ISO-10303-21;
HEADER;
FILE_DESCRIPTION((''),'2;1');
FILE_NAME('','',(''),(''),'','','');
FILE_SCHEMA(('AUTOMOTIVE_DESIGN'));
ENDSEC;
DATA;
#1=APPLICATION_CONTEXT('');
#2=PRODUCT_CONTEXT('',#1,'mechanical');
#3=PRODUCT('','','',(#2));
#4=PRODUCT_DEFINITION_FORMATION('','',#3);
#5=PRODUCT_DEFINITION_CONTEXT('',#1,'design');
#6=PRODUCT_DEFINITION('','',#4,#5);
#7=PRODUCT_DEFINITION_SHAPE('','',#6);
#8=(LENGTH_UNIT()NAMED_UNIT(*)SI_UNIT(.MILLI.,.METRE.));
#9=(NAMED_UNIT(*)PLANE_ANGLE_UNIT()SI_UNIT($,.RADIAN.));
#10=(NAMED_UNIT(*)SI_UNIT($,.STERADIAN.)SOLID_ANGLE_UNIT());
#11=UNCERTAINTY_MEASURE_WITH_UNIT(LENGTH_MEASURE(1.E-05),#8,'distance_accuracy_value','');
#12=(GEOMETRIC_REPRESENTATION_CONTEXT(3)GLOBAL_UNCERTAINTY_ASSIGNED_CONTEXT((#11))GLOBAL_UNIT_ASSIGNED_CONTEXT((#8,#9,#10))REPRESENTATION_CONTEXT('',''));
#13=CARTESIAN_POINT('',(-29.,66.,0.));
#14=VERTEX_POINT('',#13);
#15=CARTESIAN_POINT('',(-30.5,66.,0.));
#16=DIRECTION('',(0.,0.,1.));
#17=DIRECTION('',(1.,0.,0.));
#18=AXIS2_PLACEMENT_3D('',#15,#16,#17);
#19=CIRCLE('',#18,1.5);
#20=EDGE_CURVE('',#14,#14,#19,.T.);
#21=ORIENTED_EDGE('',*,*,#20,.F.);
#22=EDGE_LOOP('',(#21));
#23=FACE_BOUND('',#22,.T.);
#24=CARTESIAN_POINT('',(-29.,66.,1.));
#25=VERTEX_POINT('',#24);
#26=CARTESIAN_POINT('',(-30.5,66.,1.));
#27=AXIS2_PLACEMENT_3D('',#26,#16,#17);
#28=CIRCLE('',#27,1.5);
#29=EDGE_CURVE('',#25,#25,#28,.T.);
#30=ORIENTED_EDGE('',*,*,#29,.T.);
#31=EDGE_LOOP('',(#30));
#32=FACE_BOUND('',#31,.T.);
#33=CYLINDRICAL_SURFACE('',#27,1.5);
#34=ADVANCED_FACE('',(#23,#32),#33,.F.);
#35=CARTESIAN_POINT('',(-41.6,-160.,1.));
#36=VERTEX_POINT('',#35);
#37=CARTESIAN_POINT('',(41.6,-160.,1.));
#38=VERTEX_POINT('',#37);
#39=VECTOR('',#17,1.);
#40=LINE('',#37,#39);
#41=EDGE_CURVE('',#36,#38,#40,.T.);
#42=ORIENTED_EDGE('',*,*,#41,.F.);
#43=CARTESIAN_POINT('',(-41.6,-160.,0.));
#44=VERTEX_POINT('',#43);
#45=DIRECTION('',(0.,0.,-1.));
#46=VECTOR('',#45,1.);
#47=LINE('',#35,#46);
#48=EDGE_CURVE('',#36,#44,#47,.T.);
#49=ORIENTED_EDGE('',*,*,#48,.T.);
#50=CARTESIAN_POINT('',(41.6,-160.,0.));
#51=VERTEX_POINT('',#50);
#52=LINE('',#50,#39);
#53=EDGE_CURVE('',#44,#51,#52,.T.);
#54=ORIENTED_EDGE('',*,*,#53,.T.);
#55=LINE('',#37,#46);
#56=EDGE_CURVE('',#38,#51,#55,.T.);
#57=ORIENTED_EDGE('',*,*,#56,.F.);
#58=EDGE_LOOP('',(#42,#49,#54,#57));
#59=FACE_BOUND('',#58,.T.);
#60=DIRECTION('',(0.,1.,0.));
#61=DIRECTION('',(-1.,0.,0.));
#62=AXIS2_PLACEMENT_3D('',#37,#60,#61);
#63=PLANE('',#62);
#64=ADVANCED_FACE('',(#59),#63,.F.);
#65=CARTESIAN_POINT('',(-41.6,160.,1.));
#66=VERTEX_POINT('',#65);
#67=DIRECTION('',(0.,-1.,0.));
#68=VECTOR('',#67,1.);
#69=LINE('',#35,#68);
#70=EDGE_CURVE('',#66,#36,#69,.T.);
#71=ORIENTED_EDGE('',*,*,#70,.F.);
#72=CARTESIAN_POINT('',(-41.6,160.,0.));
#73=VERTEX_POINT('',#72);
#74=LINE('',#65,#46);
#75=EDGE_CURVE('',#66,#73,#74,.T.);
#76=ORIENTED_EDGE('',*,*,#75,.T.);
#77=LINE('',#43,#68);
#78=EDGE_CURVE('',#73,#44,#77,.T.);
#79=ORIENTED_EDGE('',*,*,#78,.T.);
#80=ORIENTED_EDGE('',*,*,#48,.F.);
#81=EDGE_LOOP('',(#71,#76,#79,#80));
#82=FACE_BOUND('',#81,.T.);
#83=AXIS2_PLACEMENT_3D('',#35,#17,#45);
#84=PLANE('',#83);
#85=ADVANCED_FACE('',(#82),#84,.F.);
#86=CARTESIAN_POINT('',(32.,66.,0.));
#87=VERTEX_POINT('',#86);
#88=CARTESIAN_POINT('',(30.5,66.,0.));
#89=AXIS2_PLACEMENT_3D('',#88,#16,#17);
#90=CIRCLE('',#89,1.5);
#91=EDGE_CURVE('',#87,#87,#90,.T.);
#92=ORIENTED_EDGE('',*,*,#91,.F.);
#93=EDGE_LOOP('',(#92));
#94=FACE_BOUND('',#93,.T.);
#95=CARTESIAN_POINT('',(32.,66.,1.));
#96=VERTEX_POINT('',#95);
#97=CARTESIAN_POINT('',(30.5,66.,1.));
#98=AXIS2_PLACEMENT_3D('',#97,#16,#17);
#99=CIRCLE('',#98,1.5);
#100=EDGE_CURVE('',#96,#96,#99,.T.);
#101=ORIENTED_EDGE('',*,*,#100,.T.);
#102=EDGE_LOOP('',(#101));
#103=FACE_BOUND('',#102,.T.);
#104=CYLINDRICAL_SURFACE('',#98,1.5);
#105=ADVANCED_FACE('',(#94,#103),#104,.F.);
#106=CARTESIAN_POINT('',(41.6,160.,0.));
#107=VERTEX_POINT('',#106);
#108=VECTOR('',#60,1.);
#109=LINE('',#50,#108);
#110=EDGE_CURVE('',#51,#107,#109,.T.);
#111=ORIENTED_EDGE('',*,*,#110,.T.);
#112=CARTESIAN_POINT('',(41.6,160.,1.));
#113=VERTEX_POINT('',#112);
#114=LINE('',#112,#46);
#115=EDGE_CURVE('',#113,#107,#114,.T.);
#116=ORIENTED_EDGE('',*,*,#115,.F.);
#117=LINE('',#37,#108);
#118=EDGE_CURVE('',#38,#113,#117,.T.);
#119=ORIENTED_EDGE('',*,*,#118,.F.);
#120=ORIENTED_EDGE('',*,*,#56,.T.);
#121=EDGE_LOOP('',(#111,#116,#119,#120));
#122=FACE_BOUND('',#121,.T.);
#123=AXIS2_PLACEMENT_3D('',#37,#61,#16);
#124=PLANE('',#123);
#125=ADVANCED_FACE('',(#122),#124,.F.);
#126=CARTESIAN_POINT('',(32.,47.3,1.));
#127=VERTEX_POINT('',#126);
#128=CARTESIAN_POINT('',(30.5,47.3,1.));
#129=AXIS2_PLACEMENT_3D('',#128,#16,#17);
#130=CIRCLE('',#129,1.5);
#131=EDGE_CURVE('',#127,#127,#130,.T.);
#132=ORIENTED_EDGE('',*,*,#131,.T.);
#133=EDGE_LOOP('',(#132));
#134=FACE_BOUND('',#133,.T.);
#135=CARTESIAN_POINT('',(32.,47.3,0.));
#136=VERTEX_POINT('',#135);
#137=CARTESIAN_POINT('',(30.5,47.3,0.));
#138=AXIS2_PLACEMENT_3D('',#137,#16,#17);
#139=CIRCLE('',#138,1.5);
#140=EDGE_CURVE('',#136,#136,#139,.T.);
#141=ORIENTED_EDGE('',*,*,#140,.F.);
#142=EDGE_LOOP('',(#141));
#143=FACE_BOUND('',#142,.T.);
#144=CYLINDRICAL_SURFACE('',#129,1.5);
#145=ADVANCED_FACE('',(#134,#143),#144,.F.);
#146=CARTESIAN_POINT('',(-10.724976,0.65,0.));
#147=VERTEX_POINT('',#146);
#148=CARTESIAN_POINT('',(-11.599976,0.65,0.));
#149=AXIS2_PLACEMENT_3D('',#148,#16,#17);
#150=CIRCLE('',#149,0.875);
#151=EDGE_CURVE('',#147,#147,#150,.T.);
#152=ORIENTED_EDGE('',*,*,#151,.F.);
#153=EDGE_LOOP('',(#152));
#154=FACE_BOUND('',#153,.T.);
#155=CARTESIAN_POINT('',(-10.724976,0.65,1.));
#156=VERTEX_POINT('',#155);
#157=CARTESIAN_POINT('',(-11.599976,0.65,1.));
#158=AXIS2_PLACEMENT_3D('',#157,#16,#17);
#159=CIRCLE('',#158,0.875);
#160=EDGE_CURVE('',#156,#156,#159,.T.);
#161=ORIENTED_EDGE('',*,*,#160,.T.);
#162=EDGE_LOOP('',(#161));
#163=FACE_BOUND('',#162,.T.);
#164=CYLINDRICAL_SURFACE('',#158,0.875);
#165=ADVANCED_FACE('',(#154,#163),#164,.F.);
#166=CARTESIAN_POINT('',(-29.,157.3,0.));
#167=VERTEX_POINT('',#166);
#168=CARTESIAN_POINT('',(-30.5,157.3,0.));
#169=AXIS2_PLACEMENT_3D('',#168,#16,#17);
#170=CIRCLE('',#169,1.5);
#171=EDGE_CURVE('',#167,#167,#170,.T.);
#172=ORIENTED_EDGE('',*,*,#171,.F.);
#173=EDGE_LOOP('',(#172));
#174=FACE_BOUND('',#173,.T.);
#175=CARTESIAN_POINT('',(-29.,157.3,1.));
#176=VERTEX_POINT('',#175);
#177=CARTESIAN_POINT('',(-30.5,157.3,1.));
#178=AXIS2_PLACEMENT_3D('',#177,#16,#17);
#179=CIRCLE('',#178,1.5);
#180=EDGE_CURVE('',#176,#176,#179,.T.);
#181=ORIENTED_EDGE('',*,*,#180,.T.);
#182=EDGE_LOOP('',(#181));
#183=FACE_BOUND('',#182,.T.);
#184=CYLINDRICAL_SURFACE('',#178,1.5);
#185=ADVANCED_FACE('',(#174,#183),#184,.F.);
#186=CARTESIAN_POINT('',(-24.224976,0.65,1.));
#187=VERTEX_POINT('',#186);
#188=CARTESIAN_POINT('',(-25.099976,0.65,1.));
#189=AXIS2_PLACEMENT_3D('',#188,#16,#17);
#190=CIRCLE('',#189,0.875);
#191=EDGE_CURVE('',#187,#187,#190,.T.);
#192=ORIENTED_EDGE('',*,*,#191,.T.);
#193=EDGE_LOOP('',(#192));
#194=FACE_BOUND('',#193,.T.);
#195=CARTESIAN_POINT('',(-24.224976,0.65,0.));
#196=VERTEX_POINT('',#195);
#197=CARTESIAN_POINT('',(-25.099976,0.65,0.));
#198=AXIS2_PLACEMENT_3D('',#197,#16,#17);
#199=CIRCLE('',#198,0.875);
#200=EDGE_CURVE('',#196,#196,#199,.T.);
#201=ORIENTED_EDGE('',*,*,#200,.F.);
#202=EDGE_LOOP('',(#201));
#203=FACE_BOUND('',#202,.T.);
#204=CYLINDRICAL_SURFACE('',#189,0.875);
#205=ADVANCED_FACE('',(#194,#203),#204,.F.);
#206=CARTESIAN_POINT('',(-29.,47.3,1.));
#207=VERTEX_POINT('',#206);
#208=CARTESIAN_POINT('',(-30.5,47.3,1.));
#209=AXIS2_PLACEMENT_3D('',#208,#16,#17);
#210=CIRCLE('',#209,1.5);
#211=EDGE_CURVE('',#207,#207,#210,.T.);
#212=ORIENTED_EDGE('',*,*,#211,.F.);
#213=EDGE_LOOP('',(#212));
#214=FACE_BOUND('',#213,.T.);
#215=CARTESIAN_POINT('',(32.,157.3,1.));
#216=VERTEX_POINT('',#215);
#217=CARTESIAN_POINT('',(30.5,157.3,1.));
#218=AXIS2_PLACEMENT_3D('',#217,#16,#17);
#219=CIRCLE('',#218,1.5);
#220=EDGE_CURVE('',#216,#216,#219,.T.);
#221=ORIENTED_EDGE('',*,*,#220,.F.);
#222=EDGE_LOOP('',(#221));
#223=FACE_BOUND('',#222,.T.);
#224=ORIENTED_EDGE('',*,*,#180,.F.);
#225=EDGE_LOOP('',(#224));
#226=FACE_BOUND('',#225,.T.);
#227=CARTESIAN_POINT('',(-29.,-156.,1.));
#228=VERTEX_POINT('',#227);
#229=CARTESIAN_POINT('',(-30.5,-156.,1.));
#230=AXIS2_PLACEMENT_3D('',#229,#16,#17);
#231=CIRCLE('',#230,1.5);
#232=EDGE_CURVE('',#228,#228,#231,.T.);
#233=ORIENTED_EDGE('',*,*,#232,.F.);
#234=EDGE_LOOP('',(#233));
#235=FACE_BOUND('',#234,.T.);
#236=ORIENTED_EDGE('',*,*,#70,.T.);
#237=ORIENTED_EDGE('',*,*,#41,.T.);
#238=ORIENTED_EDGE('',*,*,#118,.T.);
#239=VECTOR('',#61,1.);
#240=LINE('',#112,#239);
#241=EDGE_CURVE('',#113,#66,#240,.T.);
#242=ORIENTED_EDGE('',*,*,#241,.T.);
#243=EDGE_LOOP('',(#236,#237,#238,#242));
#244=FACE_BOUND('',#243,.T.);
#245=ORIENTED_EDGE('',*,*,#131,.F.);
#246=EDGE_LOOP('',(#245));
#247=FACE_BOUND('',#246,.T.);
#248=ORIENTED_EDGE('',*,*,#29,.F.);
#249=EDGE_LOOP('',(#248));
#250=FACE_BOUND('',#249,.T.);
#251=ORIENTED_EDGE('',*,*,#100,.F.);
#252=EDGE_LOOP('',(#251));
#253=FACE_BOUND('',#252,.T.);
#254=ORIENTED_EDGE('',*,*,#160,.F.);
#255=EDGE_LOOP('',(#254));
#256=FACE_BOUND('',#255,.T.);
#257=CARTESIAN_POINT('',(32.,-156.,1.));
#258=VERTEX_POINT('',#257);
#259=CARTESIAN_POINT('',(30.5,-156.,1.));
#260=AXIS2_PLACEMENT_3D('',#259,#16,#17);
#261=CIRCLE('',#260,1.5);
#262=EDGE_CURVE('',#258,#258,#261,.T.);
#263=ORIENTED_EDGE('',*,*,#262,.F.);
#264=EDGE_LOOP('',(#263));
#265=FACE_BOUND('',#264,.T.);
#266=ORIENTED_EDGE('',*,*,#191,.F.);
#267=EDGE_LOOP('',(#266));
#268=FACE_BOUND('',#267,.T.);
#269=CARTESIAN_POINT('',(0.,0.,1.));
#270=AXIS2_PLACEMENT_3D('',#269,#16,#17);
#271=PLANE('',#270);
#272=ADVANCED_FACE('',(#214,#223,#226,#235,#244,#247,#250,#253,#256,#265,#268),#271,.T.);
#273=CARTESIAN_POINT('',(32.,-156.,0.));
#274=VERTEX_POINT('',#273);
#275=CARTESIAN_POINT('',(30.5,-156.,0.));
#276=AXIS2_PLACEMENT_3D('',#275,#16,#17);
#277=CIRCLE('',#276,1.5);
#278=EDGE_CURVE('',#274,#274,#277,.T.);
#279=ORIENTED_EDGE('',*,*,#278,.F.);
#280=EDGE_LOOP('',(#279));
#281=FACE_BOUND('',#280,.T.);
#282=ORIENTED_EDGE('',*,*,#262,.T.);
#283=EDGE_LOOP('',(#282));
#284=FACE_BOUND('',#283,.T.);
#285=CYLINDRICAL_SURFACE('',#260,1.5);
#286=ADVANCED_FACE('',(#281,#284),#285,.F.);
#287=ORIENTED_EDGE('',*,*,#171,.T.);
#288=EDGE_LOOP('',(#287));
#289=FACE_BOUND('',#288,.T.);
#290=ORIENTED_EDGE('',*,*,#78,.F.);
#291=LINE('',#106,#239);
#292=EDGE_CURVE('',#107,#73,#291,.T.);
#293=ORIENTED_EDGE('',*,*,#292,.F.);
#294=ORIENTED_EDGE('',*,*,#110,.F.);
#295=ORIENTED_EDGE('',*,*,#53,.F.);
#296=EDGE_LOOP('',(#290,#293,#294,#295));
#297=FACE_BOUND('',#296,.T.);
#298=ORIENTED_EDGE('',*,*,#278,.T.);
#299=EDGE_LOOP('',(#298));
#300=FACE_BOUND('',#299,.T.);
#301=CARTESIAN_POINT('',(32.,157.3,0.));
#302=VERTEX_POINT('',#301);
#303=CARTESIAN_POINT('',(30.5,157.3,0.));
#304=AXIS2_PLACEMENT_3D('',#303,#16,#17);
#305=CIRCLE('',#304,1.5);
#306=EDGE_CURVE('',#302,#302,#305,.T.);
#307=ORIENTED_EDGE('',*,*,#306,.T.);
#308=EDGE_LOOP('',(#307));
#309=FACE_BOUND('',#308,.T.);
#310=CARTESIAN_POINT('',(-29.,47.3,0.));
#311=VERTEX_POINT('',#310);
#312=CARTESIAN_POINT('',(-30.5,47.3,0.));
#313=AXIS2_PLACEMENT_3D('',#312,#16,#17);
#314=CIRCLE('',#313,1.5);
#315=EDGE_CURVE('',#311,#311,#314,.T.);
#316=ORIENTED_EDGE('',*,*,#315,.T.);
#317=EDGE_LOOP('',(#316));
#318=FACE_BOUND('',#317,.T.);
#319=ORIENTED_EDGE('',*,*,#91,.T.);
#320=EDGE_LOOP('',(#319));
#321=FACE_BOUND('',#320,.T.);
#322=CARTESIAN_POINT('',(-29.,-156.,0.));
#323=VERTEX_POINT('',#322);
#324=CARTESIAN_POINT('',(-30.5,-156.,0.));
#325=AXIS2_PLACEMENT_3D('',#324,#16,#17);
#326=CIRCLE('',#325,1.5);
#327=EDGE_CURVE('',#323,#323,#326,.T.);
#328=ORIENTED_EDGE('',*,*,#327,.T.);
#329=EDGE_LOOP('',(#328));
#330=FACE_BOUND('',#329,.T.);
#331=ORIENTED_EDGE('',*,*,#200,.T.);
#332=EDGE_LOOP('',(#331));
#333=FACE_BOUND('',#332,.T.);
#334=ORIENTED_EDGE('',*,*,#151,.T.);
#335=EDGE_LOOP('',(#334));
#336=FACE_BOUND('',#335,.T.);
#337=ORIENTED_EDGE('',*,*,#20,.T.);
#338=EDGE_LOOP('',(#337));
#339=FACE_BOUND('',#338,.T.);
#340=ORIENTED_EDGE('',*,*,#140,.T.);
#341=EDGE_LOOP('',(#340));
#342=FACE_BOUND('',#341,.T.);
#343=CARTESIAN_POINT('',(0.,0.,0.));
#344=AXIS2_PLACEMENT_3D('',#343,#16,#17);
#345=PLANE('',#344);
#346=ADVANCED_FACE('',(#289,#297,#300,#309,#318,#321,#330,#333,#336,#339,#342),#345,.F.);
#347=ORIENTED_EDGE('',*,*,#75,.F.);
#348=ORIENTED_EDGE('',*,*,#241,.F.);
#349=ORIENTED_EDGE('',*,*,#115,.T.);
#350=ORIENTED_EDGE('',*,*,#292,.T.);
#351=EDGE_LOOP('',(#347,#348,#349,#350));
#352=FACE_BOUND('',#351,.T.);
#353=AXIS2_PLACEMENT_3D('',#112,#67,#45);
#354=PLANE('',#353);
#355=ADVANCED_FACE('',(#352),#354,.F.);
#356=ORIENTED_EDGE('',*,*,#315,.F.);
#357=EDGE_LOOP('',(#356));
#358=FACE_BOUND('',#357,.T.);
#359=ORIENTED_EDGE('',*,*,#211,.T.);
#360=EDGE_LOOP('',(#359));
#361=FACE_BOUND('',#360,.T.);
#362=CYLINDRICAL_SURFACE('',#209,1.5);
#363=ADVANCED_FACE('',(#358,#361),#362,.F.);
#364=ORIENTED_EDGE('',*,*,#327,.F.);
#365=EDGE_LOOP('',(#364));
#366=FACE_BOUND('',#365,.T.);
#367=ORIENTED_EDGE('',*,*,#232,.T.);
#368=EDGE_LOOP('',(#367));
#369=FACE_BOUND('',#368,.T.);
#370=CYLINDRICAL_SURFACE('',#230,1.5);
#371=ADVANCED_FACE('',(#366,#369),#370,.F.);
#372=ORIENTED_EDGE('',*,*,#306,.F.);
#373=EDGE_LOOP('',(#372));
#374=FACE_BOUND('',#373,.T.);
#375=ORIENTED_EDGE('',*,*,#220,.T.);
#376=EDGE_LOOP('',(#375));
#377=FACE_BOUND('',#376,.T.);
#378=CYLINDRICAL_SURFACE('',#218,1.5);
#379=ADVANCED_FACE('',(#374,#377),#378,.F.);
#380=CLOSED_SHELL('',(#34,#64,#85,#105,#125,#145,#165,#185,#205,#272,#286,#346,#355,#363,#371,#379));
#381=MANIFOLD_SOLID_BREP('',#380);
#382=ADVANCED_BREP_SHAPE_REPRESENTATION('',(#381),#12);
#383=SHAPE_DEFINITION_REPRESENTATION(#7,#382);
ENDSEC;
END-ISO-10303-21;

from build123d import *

# Parameters (mm, degrees)
SKETCH1_W                    = 83.2
SKETCH1_H                    = 320
BOSS_EXTRUDE1_DEPTH          = 1
F_3_0_3_DIAMETER_HOLE1_D     = 3
F_1_75_1_75_DIAMETER_HOLE1_D = 1.75


with BuildPart() as part:
    # Sketch1 → Boss-Extrude1 (new body)
    with BuildSketch(Plane.XY):
        Rectangle(SKETCH1_W, SKETCH1_H)
    extrude(amount=BOSS_EXTRUDE1_DEPTH)

    # Ø3.0 (3) Diameter Hole1 (through all)
    with Locations(Plane.XY.offset(1)):
        with Locations((-30.5, 66), (30.5, 66), (30.5, -156), (-30.5, -156), (-30.5, 157.3), (30.5, 157.3), (-30.5, 47.3), (30.5, 47.3)):
            Hole(F_3_0_3_DIAMETER_HOLE1_D / 2)

    # Ø1.75 (1.75) Diameter Hole1 (through all)
    with Locations(Plane.XY.offset(1)):
        with Locations((-25.099975914, 0.65), (-11.599975914, 0.65)):
            Hole(F_1_75_1_75_DIAMETER_HOLE1_D / 2)


solid = part.part
